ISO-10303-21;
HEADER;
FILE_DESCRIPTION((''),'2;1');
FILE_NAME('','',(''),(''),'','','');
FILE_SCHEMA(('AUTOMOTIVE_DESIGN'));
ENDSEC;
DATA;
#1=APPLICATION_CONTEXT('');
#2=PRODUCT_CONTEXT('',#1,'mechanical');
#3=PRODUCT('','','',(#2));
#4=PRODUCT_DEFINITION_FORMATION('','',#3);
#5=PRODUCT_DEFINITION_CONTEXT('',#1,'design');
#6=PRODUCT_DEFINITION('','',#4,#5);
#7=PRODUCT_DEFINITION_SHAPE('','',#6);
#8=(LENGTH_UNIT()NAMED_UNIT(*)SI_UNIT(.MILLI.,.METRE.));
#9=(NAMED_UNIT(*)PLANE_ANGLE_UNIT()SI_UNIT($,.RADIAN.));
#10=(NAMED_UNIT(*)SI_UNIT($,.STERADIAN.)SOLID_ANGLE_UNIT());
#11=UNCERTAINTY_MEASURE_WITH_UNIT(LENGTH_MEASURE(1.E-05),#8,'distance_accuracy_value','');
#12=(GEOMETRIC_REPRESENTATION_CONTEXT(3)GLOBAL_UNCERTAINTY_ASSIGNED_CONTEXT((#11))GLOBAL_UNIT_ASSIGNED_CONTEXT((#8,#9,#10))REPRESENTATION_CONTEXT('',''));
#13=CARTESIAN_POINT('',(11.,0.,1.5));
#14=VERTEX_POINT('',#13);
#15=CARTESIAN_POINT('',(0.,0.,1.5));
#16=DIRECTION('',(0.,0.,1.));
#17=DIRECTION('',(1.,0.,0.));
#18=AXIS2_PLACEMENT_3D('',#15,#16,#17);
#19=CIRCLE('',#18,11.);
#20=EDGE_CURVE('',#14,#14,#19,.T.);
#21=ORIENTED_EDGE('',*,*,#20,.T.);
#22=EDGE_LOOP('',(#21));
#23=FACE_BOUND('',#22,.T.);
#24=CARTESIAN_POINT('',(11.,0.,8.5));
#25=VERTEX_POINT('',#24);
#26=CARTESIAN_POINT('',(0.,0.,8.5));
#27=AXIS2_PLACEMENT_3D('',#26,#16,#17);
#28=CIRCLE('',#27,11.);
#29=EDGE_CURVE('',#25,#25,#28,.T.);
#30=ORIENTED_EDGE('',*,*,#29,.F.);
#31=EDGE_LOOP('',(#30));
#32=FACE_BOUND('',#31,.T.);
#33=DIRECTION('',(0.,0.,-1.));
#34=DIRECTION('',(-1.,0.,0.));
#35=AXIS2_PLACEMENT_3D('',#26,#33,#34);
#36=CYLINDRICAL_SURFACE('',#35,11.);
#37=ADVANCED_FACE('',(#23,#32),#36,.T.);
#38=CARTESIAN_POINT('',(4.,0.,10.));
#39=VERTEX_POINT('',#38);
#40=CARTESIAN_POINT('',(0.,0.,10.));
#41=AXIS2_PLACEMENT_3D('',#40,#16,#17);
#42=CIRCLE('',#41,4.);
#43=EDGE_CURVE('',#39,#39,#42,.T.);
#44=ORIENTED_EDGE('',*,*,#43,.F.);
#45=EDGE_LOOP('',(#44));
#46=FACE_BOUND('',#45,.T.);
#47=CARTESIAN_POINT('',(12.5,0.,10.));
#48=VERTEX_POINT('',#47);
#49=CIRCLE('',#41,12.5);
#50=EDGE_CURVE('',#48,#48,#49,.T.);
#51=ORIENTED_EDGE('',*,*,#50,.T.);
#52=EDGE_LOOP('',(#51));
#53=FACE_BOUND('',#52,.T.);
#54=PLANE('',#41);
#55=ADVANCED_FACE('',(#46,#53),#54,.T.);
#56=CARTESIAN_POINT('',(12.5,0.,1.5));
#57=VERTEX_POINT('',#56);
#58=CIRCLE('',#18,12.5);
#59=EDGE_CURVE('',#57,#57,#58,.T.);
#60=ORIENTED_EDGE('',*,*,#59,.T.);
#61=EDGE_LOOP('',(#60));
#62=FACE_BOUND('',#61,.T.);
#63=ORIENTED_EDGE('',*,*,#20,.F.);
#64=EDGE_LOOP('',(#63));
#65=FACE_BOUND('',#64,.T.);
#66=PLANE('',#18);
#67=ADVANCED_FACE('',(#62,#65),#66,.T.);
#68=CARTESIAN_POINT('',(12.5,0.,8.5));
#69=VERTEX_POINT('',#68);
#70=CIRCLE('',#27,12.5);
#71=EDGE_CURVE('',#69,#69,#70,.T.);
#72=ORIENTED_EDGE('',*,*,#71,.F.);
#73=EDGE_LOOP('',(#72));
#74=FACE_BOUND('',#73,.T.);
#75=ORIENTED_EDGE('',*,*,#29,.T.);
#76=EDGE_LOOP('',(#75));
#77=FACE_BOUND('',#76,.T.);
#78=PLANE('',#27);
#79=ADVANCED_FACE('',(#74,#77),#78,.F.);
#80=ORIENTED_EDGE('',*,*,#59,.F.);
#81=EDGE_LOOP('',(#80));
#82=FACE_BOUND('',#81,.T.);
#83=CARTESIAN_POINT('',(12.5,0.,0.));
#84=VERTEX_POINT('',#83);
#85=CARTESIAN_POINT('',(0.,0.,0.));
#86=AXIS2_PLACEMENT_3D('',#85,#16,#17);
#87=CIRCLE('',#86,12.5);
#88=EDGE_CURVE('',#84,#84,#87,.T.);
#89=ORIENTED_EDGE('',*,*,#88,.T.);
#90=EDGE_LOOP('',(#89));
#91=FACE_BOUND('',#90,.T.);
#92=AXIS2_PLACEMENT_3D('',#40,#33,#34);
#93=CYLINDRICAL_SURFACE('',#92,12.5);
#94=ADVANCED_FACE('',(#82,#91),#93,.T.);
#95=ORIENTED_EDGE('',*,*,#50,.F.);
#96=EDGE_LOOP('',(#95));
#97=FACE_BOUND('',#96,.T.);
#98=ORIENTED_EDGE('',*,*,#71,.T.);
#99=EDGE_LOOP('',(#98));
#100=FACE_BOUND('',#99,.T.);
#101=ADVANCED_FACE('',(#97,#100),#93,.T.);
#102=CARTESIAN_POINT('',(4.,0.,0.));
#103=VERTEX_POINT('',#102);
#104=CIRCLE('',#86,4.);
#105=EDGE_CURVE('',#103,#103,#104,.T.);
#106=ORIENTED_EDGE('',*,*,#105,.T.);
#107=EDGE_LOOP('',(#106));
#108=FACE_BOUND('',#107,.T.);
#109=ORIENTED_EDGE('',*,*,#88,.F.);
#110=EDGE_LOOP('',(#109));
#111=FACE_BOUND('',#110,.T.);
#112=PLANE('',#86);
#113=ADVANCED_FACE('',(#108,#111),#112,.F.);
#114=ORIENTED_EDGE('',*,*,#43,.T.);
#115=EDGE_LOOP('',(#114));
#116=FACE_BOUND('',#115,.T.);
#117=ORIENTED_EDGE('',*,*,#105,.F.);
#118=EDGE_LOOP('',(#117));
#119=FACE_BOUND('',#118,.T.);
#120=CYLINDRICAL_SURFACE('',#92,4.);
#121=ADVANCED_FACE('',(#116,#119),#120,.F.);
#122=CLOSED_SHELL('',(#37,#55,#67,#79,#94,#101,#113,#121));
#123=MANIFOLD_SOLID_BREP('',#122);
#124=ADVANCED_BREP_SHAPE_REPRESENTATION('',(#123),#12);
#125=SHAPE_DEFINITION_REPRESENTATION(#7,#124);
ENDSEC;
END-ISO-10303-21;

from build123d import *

# Parameters (mm, degrees)
SKETCH2_R               = 12.5
SKETCH2_R_2             = 4
BOSS_EXTRUDE1_DEPTH     = 10
CUT_EXTRUDE_THIN1_START = 1.5
SKETCH2_3_R             = 21
SKETCH2_3_R_2           = 11
CUT_EXTRUDE_THIN1_DEPTH = 7


with BuildPart() as part:
    # Sketch2 → Boss-Extrude1 (new body)
    with BuildSketch(Plane.XY):
        Circle(SKETCH2_R)
        Circle(SKETCH2_R_2, mode=Mode.SUBTRACT)
    extrude(amount=BOSS_EXTRUDE1_DEPTH)

    # Sketch2<3> → Cut-Extrude-Thin1 (cut)
    with BuildSketch(Plane.XY.offset(CUT_EXTRUDE_THIN1_START)):
        Circle(SKETCH2_3_R)
        Circle(SKETCH2_3_R_2, mode=Mode.SUBTRACT)
    extrude(amount=CUT_EXTRUDE_THIN1_DEPTH, mode=Mode.SUBTRACT)


solid = part.part
